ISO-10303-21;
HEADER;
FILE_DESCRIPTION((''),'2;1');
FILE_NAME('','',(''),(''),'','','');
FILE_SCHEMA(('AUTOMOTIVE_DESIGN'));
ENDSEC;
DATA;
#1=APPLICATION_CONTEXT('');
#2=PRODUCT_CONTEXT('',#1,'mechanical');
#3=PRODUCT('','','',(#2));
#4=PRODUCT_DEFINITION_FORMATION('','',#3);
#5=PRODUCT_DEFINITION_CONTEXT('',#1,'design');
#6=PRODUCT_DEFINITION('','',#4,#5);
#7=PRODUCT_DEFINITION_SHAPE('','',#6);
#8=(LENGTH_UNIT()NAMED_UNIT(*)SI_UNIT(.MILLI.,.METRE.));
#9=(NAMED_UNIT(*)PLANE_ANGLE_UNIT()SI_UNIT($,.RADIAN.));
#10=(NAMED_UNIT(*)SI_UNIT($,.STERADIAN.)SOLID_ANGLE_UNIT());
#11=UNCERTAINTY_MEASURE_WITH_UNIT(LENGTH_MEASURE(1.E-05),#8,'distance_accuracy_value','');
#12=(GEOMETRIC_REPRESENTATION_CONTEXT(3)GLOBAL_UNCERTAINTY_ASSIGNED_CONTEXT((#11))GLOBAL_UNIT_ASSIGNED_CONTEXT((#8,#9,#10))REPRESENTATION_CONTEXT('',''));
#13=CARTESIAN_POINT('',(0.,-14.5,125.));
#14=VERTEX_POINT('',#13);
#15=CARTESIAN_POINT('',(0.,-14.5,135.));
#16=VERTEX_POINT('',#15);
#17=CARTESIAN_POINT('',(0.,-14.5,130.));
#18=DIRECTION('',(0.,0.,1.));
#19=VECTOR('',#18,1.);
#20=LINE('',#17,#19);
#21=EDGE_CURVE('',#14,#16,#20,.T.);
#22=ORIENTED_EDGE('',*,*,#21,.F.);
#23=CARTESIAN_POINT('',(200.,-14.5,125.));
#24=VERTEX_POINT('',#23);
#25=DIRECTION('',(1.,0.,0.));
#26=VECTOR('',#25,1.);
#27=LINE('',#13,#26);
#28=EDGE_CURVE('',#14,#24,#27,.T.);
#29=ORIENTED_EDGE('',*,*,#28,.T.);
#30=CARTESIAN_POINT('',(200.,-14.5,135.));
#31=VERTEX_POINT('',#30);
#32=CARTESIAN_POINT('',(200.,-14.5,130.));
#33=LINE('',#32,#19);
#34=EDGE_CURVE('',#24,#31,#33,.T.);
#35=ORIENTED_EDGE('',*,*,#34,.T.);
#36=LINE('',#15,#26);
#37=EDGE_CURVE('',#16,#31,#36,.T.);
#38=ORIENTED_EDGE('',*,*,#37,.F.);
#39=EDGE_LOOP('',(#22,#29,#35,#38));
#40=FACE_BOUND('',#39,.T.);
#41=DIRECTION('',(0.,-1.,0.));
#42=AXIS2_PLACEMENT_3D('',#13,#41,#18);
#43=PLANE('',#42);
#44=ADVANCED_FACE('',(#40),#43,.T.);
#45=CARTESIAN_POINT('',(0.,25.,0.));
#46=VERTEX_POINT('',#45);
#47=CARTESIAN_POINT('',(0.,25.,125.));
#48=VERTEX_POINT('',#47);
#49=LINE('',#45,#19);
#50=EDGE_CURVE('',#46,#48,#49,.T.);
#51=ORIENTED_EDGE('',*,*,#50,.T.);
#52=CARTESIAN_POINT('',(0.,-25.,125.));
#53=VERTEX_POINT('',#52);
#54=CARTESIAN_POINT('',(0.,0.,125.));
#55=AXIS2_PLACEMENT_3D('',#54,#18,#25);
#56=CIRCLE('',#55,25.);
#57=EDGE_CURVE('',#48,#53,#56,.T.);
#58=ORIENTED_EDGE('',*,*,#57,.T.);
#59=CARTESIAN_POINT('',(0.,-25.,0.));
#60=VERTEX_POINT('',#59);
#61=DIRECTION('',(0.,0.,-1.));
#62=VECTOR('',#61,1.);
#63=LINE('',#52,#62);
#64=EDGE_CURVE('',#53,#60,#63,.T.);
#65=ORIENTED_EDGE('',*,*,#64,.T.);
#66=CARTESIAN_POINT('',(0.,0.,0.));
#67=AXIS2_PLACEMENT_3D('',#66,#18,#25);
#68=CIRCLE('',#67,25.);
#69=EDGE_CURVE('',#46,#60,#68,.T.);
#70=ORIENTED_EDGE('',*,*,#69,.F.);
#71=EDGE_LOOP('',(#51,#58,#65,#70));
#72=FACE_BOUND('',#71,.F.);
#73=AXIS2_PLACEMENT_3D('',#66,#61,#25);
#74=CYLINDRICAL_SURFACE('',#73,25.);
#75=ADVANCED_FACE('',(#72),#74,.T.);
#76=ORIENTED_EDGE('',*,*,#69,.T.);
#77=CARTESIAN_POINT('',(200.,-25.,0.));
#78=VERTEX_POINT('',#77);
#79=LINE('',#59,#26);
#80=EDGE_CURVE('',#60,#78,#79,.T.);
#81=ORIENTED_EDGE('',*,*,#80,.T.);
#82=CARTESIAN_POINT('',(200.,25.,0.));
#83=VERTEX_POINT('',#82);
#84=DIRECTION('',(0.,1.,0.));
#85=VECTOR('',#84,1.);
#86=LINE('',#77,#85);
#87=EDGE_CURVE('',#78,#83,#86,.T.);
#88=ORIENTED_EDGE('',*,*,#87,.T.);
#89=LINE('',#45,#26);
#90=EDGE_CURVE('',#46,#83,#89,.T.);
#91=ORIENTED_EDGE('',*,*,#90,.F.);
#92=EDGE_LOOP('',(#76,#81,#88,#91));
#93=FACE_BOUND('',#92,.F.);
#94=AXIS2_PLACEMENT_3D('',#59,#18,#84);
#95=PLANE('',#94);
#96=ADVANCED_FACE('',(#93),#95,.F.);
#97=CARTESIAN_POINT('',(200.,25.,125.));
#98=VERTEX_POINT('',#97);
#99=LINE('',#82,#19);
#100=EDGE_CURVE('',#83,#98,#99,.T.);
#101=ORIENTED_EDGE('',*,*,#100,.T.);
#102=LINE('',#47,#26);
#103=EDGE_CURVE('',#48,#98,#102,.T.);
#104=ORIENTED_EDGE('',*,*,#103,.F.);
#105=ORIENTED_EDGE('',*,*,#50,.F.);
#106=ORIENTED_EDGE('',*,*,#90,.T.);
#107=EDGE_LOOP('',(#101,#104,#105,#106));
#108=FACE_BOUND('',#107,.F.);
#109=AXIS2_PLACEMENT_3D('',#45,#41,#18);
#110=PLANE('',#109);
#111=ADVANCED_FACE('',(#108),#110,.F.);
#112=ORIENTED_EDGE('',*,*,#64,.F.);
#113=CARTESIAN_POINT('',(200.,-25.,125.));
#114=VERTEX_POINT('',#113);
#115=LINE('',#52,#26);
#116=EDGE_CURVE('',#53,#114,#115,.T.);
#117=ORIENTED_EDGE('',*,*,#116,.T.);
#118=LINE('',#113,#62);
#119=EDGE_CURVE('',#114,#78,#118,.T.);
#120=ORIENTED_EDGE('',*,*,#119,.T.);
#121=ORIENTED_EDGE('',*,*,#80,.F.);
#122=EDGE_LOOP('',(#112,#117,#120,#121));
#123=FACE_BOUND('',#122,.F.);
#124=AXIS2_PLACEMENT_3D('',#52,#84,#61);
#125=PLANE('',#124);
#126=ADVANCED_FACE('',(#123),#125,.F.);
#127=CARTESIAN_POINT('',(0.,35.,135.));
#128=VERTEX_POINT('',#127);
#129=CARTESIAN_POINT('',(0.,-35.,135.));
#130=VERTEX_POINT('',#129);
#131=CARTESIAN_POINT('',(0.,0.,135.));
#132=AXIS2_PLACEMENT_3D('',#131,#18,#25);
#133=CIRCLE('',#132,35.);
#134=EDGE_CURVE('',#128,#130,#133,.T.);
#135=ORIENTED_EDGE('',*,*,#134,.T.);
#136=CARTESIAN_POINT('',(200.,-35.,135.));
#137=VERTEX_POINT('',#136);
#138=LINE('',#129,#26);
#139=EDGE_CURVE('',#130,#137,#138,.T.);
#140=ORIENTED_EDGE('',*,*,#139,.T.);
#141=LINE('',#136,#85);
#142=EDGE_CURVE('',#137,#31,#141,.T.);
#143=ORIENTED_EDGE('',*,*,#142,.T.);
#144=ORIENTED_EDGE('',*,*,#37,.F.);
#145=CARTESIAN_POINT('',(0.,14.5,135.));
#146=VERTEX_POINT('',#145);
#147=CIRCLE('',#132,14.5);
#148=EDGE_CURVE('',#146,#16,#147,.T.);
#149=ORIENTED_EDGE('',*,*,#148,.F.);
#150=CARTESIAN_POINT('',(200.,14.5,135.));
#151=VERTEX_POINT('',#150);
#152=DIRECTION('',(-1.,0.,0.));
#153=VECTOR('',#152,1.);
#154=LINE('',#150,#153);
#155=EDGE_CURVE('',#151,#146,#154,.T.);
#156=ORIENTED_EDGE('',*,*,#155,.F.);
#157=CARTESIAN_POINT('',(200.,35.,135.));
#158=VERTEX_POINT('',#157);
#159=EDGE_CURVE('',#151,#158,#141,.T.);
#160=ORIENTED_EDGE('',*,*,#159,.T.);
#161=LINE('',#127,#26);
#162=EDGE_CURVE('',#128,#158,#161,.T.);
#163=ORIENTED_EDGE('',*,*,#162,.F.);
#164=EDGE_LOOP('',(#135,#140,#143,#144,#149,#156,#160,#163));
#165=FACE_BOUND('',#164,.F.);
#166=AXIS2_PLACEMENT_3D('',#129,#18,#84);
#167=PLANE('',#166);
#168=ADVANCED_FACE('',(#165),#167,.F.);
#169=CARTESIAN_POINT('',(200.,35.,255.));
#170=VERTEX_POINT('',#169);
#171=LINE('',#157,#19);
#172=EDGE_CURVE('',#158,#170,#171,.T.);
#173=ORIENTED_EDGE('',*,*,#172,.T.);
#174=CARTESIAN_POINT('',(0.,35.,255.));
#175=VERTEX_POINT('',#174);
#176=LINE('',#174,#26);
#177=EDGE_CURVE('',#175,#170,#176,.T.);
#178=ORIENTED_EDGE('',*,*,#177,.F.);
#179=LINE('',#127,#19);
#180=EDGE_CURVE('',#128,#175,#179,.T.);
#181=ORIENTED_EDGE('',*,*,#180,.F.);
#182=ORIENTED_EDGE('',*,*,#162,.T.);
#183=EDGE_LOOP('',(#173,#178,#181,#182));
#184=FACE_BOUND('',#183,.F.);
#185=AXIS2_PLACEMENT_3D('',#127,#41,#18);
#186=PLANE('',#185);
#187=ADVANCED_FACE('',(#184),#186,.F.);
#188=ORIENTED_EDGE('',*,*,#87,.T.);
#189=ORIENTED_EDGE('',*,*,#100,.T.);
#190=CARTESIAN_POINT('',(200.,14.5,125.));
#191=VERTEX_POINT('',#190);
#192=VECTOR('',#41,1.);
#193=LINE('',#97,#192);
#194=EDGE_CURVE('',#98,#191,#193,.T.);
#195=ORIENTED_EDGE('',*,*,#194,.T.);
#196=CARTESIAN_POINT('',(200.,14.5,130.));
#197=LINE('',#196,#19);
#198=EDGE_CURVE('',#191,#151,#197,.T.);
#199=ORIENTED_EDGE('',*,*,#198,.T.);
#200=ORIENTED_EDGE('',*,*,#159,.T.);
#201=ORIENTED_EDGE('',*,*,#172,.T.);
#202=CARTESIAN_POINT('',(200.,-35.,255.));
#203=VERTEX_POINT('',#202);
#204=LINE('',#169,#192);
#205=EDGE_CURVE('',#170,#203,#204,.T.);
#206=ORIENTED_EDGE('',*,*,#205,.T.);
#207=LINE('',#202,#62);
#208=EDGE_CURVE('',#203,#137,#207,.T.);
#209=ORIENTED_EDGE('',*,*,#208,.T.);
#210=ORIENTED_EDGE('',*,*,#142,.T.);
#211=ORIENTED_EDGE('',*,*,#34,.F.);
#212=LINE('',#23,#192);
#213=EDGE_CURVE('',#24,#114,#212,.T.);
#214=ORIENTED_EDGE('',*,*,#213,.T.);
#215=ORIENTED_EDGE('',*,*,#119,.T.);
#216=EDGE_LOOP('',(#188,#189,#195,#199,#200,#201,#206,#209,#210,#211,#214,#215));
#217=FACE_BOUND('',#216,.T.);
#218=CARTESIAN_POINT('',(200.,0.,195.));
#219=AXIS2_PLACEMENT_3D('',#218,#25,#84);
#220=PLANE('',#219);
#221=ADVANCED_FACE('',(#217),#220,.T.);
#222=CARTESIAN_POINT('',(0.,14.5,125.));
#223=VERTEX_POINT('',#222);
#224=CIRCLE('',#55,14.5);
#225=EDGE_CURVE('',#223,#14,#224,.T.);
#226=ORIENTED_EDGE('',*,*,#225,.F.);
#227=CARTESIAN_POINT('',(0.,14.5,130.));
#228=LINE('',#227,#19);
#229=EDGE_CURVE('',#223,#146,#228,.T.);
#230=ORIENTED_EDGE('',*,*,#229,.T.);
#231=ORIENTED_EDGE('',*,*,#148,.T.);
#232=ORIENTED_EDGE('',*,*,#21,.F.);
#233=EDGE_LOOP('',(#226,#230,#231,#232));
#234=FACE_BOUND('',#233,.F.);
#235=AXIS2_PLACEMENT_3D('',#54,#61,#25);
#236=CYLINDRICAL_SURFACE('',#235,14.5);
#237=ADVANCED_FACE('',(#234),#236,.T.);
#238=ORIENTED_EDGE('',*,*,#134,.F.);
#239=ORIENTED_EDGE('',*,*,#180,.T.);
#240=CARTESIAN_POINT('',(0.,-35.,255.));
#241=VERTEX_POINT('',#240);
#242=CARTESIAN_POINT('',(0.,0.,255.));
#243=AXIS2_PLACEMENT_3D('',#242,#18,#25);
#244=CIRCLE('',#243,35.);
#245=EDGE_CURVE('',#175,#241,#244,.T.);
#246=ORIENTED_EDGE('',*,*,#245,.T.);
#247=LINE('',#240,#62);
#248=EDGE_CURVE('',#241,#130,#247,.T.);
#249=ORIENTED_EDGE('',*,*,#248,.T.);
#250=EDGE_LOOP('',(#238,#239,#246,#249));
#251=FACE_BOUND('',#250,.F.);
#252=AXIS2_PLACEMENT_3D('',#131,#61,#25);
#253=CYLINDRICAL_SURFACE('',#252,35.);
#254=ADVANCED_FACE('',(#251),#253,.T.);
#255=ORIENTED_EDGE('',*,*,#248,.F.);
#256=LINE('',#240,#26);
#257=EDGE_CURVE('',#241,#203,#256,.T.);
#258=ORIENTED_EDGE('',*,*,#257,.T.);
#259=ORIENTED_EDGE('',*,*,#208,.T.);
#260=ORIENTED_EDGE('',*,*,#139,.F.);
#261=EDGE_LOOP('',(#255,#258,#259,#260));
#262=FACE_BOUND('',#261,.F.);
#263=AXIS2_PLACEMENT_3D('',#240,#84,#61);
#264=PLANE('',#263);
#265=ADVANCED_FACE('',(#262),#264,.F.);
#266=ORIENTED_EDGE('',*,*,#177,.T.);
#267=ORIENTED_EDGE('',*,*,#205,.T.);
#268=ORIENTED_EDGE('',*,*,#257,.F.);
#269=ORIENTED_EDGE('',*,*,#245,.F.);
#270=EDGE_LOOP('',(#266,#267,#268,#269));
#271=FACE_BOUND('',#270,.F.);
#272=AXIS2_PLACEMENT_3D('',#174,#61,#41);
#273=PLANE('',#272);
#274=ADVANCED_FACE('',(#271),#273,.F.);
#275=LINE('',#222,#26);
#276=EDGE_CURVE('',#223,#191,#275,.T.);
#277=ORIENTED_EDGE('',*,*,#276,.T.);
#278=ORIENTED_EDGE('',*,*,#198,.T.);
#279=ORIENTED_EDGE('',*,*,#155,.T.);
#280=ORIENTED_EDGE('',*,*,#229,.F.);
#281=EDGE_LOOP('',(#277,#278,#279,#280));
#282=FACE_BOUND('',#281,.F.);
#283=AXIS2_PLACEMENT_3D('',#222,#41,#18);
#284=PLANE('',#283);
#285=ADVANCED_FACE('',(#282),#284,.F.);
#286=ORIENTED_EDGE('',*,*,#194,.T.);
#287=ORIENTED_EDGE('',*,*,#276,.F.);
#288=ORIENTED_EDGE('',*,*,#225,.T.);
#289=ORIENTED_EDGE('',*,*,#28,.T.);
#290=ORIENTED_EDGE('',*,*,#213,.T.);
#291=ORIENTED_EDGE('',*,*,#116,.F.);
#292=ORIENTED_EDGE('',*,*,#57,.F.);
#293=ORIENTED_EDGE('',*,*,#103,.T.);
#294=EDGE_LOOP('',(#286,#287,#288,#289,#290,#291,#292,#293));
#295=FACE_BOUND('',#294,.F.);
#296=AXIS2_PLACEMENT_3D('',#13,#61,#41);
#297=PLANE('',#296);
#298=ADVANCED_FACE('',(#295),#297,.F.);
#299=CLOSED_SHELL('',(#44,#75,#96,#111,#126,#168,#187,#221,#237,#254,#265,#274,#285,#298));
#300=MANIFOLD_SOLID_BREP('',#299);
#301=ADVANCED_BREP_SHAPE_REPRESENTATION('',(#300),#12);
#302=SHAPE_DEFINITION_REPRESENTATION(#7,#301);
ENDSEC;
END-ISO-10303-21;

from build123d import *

# Parameters (mm, degrees)
F0_R     = 25
F1_DEPTH = 125
F2_R     = 14.5
F3_DEPTH = 10
F4_R     = 35
F5_DEPTH = 120
F6_W     = 29
F6_H     = 10
F7_DEPTH = 200


with BuildPart() as f1:
    # F0 (on Top) → F1 (new body)
    with BuildSketch(Plane.XY):
        Circle(F0_R)
    extrude(amount=F1_DEPTH)

    # F2 (on face) → F3 (join)
    with BuildSketch(Plane.XY.offset(125)):
        Circle(F2_R)
    extrude(amount=F3_DEPTH)

    # F4 (on face) → F5 (join)
    with BuildSketch(Plane.XY.offset(135)):
        Circle(F4_R)
    extrude(amount=F5_DEPTH)

    # F6 (on Right) → F7 (join)
    with BuildSketch(Plane.YZ):
        Polygon((-35, 255), (-35, 135), (-14.5, 135), (14.5, 135), (35, 135), (35, 255), align=None)
        with Locations((0, 130)):
            Rectangle(F6_W, F6_H)
        Polygon((14.5, 125), (-14.5, 125), (-25, 125), (-25, 0), (25, 0), (25, 125), align=None)
    extrude(amount=F7_DEPTH)


solid = f1.part
